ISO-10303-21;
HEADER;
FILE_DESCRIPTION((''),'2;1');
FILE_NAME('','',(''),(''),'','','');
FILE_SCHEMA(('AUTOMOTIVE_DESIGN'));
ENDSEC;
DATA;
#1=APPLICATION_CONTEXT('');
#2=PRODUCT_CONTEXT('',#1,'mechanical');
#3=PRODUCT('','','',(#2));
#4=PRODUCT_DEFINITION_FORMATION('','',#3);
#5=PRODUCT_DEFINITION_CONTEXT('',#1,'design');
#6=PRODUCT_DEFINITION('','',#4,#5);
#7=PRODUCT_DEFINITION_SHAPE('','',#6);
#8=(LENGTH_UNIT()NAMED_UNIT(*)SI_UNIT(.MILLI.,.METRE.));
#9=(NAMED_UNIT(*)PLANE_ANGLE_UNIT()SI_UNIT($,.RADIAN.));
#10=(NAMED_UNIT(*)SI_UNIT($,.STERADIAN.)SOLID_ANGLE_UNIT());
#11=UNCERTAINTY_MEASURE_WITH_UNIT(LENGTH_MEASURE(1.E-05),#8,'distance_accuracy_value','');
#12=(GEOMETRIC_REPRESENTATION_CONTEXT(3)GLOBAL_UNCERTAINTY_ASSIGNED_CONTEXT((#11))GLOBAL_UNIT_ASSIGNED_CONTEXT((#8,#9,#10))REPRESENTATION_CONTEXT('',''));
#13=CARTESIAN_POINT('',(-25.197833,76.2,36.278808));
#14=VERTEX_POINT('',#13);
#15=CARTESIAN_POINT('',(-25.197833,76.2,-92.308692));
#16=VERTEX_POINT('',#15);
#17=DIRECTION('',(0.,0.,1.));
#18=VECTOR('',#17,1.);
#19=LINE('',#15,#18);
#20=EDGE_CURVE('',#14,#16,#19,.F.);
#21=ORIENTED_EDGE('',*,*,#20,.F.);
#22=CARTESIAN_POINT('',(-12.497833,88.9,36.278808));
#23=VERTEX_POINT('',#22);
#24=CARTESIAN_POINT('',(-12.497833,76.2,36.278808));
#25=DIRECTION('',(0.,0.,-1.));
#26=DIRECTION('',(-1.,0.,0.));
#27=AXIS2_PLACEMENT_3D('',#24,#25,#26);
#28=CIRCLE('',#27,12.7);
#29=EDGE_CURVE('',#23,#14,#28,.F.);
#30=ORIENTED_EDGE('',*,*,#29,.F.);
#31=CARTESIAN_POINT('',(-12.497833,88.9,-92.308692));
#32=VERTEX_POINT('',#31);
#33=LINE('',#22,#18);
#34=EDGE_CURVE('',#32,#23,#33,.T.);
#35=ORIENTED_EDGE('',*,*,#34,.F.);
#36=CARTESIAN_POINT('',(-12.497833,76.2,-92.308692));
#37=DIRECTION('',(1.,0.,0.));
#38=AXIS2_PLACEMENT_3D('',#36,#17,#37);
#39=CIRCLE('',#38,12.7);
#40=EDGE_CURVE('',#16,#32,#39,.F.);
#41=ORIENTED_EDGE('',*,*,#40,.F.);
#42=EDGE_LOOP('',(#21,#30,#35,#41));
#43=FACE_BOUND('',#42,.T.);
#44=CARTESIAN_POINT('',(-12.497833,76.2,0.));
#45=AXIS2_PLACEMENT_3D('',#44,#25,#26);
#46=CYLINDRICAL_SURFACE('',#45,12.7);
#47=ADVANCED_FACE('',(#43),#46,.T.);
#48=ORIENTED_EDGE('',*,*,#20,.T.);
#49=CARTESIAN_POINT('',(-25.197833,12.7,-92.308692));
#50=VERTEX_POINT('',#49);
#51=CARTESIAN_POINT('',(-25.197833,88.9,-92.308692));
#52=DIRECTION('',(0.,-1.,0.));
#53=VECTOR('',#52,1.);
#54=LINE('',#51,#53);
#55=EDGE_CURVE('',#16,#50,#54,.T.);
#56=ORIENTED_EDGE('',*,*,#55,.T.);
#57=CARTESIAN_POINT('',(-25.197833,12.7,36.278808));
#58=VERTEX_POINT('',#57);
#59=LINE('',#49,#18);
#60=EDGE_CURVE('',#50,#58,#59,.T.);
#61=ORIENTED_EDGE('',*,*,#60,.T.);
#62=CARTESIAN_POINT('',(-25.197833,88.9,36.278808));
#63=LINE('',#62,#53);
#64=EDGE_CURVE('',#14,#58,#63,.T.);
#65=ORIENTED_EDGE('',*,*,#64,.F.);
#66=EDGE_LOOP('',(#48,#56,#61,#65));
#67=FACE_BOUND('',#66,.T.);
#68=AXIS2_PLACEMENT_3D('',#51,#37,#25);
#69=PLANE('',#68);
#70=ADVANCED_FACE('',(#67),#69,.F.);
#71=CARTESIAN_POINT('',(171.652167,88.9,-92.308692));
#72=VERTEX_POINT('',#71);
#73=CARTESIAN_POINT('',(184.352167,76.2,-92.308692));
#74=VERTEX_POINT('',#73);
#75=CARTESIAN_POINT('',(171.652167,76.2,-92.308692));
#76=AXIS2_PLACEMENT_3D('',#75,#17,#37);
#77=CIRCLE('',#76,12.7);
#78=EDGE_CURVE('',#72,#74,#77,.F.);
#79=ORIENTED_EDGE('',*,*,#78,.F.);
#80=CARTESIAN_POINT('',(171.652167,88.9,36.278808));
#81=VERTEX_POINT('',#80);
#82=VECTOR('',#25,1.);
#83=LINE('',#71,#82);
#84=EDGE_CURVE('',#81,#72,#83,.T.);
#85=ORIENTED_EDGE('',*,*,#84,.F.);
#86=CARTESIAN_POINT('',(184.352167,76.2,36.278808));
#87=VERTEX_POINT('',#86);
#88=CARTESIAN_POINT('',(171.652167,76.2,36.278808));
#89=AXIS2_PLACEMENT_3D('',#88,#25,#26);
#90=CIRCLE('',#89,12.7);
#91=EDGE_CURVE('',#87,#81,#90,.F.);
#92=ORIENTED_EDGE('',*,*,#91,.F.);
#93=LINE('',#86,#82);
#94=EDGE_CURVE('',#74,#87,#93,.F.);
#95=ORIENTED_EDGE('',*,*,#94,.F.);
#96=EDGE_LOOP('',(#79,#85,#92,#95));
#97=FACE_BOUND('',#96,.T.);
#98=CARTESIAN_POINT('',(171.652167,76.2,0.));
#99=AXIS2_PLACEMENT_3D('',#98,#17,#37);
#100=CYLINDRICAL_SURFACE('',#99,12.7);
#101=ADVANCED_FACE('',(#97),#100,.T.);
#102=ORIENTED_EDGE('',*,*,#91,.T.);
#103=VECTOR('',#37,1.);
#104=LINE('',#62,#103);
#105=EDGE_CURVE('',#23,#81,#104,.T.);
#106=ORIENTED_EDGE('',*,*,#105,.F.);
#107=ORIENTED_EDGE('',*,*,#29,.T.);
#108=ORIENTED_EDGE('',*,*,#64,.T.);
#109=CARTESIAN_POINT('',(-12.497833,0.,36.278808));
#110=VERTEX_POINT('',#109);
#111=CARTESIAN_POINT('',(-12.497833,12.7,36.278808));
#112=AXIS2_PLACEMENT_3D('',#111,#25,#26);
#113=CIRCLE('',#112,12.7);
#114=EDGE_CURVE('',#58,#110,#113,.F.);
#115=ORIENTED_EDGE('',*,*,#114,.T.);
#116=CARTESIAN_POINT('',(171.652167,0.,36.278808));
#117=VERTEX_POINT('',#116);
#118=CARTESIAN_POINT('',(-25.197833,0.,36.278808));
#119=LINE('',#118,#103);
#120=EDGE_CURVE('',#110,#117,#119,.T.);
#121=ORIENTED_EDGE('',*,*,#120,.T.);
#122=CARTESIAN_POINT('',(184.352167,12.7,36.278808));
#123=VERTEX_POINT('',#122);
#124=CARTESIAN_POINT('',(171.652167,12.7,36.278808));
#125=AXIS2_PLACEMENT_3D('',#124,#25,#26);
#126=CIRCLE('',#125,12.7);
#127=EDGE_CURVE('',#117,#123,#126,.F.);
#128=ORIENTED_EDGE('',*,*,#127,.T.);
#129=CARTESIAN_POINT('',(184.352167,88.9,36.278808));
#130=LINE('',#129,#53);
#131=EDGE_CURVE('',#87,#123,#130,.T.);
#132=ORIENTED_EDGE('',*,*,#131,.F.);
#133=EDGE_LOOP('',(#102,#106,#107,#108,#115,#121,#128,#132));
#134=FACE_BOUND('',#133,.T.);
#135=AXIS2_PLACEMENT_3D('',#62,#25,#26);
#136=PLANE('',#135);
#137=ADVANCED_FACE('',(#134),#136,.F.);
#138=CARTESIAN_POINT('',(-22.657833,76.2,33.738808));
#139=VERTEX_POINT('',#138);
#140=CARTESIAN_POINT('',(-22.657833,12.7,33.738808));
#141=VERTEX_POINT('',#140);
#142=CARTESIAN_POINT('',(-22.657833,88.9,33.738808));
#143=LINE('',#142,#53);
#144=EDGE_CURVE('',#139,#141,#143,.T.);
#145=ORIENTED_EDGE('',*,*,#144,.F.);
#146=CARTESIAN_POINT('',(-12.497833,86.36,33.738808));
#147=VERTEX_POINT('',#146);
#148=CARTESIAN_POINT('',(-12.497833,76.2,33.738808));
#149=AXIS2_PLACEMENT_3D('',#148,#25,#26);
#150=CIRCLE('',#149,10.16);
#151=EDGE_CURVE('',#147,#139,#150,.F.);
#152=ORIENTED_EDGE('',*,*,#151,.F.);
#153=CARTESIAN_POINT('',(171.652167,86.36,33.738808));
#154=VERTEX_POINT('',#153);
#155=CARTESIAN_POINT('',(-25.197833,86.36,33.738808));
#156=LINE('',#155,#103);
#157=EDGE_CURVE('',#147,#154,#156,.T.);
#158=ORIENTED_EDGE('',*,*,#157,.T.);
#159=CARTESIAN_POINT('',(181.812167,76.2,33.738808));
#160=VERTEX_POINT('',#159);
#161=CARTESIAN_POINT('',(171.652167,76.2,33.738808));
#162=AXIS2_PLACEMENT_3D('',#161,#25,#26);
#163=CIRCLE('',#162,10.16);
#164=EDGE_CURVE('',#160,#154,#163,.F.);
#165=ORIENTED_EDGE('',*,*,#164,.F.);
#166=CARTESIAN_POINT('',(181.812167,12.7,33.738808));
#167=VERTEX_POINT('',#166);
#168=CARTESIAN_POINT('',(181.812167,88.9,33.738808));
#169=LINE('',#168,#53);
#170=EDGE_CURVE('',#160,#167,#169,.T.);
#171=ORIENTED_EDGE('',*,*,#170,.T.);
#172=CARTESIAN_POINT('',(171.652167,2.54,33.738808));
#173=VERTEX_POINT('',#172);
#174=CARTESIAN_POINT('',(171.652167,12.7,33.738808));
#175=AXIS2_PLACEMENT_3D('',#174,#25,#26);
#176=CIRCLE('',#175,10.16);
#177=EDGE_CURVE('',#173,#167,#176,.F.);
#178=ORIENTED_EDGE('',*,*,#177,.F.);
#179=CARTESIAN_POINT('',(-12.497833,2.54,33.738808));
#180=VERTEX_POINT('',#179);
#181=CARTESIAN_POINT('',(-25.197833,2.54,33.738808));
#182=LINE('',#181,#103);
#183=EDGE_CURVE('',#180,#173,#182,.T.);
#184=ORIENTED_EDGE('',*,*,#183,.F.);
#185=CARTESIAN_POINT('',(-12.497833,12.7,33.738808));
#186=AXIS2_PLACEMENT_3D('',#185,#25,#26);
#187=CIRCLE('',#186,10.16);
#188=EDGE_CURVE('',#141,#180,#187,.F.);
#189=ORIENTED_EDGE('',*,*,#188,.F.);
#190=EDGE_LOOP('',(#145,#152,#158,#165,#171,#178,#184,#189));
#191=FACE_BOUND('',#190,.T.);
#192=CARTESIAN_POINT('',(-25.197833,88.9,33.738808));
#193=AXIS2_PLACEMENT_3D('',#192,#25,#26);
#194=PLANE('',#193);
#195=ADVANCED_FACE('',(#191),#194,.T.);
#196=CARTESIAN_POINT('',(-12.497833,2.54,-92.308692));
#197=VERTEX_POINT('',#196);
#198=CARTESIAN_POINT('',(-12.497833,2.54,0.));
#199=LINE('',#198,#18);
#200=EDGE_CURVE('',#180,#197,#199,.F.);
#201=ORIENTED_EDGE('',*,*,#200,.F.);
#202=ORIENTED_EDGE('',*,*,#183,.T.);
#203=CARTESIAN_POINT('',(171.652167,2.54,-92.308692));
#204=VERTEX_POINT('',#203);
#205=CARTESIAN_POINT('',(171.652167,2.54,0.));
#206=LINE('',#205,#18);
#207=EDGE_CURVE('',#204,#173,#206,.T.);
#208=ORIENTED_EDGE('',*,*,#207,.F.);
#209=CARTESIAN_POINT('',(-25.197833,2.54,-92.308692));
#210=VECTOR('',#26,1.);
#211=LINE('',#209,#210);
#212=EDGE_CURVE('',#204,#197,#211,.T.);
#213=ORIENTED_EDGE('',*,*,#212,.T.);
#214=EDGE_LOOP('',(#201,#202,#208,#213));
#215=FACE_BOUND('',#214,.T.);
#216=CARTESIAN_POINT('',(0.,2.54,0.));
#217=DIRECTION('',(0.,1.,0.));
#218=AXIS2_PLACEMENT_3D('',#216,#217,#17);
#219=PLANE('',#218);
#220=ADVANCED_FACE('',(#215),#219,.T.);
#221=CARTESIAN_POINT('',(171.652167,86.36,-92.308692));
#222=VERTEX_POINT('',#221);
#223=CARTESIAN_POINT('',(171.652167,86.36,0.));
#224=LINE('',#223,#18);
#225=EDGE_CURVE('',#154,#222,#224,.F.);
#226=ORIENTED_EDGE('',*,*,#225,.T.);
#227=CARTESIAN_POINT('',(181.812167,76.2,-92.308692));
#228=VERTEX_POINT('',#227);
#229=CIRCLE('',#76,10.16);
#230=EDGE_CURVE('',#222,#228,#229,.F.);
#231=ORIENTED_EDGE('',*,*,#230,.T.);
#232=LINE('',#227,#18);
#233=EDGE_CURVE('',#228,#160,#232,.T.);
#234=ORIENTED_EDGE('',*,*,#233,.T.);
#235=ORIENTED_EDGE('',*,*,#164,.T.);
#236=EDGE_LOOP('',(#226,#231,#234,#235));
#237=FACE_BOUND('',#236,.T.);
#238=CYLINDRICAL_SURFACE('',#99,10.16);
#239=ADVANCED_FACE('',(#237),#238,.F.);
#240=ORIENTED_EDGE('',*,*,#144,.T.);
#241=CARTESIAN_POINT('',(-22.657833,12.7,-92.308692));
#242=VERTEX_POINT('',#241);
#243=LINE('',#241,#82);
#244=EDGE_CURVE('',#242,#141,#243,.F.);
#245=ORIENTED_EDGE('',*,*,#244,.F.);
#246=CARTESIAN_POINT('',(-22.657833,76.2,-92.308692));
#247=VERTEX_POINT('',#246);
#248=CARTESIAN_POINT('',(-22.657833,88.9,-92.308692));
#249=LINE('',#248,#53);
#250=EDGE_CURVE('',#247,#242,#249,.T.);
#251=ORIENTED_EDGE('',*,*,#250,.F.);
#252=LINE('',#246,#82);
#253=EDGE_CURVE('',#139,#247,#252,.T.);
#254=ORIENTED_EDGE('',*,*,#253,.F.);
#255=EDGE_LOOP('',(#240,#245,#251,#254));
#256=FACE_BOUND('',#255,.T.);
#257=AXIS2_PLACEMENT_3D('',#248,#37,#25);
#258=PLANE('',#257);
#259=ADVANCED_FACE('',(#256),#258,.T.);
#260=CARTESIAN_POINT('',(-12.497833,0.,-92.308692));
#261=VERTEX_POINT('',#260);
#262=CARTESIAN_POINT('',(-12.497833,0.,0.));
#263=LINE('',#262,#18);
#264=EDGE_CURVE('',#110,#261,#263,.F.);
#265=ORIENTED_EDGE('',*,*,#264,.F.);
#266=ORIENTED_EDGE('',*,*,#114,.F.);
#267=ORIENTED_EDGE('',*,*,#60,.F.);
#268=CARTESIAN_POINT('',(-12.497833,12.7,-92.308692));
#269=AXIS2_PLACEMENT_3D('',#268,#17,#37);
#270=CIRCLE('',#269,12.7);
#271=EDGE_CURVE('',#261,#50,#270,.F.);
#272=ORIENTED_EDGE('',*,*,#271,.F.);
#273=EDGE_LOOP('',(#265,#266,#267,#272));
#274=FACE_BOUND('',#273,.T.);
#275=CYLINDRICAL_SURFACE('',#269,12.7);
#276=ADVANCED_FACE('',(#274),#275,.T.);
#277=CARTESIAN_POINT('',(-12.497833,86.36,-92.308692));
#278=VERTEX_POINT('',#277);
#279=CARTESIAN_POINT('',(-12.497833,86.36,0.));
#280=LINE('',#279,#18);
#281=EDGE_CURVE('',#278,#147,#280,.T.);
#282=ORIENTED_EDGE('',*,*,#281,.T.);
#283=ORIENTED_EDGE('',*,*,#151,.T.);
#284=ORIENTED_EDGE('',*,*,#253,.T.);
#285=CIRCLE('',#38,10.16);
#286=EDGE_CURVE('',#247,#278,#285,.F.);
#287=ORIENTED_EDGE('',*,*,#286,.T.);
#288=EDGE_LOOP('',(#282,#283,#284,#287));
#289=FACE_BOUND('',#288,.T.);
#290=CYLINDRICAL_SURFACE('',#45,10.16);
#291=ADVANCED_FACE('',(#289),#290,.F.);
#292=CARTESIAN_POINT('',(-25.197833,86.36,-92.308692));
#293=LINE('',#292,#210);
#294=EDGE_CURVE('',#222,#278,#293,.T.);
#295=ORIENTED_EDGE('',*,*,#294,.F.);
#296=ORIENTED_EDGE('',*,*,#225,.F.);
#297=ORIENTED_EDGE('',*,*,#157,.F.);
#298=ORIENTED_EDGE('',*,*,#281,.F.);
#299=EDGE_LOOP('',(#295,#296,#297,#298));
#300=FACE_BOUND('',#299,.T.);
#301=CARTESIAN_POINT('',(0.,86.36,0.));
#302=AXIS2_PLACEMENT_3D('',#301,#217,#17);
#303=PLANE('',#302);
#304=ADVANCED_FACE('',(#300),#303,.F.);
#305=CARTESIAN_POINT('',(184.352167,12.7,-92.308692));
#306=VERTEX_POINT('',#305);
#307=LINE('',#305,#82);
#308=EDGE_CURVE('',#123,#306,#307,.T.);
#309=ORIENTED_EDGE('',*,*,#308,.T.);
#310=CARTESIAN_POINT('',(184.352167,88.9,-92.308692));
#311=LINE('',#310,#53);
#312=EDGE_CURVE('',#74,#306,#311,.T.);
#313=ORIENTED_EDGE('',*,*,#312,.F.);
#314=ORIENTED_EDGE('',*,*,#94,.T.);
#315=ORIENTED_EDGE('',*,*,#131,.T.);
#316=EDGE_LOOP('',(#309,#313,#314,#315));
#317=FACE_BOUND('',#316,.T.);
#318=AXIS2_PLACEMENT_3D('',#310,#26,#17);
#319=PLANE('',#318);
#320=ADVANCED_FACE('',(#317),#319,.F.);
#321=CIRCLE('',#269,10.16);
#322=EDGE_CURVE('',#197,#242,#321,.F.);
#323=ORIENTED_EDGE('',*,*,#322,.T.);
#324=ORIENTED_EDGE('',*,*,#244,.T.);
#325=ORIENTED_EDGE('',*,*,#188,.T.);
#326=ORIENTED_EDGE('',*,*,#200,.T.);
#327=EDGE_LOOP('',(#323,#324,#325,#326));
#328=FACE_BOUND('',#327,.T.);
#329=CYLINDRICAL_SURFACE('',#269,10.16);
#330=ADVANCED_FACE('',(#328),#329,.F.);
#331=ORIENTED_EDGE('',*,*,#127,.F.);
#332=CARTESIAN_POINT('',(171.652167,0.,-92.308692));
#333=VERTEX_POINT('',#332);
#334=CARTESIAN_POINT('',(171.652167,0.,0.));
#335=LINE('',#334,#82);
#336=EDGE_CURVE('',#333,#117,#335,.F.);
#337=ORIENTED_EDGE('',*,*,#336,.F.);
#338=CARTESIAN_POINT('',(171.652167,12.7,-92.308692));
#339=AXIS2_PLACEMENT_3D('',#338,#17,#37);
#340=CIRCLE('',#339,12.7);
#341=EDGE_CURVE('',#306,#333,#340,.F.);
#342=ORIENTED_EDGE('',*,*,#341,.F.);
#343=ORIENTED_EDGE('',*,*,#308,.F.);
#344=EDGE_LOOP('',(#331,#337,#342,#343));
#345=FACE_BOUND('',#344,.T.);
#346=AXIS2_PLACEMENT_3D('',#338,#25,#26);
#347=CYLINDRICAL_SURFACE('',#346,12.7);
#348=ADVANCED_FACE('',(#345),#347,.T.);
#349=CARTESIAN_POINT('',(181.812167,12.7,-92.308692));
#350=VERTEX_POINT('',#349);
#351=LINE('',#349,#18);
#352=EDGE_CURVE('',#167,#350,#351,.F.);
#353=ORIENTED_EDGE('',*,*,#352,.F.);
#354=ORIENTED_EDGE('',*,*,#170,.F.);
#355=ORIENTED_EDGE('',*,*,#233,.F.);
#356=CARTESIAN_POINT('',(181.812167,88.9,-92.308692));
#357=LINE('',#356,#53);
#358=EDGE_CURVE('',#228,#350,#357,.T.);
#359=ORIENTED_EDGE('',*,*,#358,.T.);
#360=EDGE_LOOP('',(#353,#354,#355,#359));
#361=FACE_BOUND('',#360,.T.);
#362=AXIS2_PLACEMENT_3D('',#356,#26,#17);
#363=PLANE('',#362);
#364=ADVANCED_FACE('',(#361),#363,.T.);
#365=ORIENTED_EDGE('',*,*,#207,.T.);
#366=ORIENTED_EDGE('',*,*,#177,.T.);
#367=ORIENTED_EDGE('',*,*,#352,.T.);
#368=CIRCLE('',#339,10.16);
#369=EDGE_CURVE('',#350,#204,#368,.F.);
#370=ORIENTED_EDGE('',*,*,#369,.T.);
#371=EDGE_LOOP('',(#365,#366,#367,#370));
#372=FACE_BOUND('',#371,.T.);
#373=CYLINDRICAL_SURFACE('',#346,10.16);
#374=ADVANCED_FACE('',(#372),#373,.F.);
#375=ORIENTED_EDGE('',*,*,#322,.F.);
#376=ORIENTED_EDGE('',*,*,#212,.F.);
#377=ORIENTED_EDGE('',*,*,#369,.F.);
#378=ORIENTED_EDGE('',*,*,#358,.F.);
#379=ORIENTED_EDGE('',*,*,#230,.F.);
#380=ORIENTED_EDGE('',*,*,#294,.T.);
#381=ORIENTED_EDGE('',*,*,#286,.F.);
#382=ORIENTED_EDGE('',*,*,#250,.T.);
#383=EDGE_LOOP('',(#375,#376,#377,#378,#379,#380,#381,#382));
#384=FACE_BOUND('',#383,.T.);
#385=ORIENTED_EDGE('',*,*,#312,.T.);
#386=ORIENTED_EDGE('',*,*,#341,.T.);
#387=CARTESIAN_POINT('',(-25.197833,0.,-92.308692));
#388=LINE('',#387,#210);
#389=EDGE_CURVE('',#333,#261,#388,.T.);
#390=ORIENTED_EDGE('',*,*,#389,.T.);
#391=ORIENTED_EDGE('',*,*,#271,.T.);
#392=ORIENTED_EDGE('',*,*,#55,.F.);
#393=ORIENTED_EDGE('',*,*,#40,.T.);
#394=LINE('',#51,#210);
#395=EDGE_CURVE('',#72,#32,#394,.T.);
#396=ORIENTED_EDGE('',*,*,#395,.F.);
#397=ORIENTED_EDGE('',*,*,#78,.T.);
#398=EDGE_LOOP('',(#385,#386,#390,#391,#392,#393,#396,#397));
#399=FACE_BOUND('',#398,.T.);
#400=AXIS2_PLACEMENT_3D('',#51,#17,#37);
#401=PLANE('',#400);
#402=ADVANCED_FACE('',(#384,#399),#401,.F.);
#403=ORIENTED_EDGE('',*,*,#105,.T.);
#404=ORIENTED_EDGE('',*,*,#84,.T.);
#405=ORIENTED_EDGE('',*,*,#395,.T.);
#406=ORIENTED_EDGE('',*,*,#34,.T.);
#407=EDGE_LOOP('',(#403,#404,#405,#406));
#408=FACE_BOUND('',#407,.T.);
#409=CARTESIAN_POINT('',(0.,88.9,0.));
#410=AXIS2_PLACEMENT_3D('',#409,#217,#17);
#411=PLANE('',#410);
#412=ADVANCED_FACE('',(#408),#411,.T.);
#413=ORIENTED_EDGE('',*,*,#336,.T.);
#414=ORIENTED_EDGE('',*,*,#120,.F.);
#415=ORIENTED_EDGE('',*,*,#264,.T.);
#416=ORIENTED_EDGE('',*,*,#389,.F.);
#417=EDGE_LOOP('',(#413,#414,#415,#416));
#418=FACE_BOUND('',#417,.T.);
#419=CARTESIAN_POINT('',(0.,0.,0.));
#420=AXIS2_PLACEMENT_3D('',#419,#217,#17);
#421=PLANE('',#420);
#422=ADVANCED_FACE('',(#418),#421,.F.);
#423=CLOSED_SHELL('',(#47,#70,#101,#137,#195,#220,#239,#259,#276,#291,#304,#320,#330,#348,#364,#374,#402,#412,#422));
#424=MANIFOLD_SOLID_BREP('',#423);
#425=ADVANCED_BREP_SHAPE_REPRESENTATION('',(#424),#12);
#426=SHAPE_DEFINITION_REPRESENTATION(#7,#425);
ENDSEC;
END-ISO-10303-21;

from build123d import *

# Parameters (mm, degrees)
SKETCH1_W           = 209.55
SKETCH1_H           = 128.5875
BOSS_EXTRUDE1_DEPTH = 88.9
FILLET1_R           = 12.7
FILLET2_R           = 12.7
FILLET3_R           = 12.7
FILLET4_R           = 12.7
SHELL1_T            = -2.54


with BuildPart() as part:
    # Sketch1 → Boss-Extrude1 (new body)
    with BuildSketch(Plane(origin=(0, 0, 0), x_dir=(1, 0, 0), z_dir=(0, 1, 0))):
        with Locations((79.577166722, 28.014941846)):
            Rectangle(SKETCH1_W, SKETCH1_H)
    extrude(amount=BOSS_EXTRUDE1_DEPTH)

    # Fillet1
    fillet1_edges = [part.edges().sort_by_distance(p)[0] for p in [
        (184.352166722, 88.9, -28.014941846),
    ]]
    fillet(fillet1_edges, radius=FILLET1_R)

    # Fillet2
    fillet2_edges = [part.edges().sort_by_distance(p)[0] for p in [
        (-25.197833278, 88.9, -28.014941846),
    ]]
    fillet(fillet2_edges, radius=FILLET2_R)

    # Fillet3
    fillet3_edges = [part.edges().sort_by_distance(p)[0] for p in [
        (-25.197833278, 0, -28.014941846),
    ]]
    fillet(fillet3_edges, radius=FILLET3_R)

    # Fillet4
    fillet4_edges = [part.edges().sort_by_distance(p)[0] for p in [
        (184.352166722, 0, -28.014941846),
    ]]
    fillet(fillet4_edges, radius=FILLET4_R)

    # Shell1
    shell1_openings = [part.faces().sort_by_distance(p)[0] for p in [
        (79.577166722, 44.45, -92.308691846),
    ]]
    offset(amount=SHELL1_T, openings=shell1_openings, kind=Kind.INTERSECTION)


solid = part.part
